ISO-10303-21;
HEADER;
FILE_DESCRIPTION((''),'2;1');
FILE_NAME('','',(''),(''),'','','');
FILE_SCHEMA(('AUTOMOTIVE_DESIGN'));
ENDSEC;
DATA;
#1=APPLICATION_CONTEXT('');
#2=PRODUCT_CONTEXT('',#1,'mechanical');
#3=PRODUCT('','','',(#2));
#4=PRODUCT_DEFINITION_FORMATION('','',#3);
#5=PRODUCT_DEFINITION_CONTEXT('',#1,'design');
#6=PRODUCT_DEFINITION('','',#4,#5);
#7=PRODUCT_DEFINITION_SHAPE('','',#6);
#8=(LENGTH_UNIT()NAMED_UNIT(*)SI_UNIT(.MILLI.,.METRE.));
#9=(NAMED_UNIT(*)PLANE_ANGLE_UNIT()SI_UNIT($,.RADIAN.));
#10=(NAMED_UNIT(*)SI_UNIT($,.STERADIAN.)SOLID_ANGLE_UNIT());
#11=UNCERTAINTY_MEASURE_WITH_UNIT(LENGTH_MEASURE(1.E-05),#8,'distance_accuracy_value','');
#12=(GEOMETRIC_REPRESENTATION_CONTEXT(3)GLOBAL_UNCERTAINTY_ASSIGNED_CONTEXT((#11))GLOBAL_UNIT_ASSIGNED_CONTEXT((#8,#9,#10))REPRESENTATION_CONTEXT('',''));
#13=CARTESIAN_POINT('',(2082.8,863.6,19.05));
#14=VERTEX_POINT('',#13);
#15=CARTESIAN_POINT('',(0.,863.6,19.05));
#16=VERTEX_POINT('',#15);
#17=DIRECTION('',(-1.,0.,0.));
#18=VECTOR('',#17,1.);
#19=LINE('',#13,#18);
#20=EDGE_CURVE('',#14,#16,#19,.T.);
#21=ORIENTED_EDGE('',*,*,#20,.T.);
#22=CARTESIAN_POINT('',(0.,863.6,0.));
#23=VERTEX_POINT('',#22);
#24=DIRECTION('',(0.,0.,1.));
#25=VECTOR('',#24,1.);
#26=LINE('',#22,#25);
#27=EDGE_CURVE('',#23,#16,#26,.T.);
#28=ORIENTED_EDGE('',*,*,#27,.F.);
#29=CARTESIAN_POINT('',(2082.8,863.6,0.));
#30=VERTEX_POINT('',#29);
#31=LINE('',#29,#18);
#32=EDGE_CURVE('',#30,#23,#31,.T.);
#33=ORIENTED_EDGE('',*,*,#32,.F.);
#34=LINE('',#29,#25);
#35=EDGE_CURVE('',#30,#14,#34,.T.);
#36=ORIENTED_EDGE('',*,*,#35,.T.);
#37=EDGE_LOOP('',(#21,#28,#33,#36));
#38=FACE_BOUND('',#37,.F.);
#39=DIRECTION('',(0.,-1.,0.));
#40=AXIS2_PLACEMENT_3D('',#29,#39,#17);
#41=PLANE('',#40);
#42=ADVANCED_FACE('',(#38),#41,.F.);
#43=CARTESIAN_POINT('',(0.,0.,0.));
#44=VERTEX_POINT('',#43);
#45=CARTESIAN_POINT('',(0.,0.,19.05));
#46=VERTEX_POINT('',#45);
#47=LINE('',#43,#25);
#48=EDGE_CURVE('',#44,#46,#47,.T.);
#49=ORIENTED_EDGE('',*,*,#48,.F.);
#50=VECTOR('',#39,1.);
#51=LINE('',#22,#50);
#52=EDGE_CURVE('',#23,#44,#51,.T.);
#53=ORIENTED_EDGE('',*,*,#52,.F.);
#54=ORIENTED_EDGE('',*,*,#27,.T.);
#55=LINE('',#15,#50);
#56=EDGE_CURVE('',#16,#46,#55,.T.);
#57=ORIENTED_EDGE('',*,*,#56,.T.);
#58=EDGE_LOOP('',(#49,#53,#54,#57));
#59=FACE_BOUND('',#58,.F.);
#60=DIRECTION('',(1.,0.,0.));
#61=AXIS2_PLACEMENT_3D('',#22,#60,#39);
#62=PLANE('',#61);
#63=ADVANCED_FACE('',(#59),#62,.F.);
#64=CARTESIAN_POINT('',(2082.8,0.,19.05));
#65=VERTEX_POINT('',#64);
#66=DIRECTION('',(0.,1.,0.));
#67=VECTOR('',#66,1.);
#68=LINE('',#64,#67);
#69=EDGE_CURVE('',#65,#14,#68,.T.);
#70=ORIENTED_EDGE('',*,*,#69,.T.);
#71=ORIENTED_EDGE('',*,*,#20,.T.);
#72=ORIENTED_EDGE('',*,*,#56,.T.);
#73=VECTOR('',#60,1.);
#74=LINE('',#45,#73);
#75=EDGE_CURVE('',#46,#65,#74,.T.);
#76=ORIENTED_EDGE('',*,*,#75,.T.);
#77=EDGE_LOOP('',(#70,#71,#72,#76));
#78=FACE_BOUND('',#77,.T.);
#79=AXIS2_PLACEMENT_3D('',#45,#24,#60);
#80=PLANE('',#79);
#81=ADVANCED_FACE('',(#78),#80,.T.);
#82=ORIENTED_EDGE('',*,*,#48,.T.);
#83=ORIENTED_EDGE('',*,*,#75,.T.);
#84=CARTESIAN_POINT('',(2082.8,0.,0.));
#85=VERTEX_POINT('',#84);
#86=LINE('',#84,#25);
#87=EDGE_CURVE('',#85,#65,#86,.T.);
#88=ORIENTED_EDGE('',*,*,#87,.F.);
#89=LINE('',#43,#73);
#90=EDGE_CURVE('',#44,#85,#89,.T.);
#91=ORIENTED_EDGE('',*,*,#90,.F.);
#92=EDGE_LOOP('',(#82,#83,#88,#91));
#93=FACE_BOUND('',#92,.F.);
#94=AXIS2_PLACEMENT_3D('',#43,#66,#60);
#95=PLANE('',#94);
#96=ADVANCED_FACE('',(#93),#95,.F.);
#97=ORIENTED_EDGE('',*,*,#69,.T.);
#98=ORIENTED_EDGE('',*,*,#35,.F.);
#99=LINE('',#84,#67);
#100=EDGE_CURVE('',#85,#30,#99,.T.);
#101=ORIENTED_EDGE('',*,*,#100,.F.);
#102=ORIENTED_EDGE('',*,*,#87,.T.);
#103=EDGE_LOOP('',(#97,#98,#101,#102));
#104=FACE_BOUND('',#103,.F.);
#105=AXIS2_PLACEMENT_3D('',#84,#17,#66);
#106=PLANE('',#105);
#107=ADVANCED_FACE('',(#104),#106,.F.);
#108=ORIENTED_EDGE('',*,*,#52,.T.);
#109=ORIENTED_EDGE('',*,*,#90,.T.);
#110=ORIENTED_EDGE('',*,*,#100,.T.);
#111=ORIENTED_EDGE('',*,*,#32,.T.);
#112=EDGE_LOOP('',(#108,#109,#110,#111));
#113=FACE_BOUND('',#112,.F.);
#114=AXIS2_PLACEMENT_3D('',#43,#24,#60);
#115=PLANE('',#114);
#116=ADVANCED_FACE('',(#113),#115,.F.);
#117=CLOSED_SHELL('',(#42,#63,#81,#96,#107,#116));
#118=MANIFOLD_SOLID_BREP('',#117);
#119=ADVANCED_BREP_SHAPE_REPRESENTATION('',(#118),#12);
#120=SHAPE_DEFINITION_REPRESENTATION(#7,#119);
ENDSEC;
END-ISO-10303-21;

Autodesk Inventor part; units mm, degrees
ref_plane "YZ Plane" through (0, 0, 0) normal (1, 0, 0) x (0, 1, 0)
ref_plane "XZ Plane" through (0, 0, 0) normal (0, 1, 0) x (-1, 0, 0)
ref_plane "XY Plane" through (0, 0, 0) normal (0, 0, 1) x (1, 0, 0)
sketch "Sketch1" plane through (0, 0, 0) normal (0, 0, 1) x (1, 0, 0)
  line L0 (0, 0) -> (2082.8, 0)
  line L1 (2082.8, 0) -> (2082.8, 863.6)
  line L2 (2082.8, 863.6) -> (0, 863.6)
  line L3 (0, 863.6) -> (0, 0)
  dimension "d1" = 2082.8
  dimension "d2" = 863.6
extrude "Extrusion1" add sketch "Sketch1" along normal blind 19.05
properties part number "Plywood--0.75_x_34_x_88_in"
